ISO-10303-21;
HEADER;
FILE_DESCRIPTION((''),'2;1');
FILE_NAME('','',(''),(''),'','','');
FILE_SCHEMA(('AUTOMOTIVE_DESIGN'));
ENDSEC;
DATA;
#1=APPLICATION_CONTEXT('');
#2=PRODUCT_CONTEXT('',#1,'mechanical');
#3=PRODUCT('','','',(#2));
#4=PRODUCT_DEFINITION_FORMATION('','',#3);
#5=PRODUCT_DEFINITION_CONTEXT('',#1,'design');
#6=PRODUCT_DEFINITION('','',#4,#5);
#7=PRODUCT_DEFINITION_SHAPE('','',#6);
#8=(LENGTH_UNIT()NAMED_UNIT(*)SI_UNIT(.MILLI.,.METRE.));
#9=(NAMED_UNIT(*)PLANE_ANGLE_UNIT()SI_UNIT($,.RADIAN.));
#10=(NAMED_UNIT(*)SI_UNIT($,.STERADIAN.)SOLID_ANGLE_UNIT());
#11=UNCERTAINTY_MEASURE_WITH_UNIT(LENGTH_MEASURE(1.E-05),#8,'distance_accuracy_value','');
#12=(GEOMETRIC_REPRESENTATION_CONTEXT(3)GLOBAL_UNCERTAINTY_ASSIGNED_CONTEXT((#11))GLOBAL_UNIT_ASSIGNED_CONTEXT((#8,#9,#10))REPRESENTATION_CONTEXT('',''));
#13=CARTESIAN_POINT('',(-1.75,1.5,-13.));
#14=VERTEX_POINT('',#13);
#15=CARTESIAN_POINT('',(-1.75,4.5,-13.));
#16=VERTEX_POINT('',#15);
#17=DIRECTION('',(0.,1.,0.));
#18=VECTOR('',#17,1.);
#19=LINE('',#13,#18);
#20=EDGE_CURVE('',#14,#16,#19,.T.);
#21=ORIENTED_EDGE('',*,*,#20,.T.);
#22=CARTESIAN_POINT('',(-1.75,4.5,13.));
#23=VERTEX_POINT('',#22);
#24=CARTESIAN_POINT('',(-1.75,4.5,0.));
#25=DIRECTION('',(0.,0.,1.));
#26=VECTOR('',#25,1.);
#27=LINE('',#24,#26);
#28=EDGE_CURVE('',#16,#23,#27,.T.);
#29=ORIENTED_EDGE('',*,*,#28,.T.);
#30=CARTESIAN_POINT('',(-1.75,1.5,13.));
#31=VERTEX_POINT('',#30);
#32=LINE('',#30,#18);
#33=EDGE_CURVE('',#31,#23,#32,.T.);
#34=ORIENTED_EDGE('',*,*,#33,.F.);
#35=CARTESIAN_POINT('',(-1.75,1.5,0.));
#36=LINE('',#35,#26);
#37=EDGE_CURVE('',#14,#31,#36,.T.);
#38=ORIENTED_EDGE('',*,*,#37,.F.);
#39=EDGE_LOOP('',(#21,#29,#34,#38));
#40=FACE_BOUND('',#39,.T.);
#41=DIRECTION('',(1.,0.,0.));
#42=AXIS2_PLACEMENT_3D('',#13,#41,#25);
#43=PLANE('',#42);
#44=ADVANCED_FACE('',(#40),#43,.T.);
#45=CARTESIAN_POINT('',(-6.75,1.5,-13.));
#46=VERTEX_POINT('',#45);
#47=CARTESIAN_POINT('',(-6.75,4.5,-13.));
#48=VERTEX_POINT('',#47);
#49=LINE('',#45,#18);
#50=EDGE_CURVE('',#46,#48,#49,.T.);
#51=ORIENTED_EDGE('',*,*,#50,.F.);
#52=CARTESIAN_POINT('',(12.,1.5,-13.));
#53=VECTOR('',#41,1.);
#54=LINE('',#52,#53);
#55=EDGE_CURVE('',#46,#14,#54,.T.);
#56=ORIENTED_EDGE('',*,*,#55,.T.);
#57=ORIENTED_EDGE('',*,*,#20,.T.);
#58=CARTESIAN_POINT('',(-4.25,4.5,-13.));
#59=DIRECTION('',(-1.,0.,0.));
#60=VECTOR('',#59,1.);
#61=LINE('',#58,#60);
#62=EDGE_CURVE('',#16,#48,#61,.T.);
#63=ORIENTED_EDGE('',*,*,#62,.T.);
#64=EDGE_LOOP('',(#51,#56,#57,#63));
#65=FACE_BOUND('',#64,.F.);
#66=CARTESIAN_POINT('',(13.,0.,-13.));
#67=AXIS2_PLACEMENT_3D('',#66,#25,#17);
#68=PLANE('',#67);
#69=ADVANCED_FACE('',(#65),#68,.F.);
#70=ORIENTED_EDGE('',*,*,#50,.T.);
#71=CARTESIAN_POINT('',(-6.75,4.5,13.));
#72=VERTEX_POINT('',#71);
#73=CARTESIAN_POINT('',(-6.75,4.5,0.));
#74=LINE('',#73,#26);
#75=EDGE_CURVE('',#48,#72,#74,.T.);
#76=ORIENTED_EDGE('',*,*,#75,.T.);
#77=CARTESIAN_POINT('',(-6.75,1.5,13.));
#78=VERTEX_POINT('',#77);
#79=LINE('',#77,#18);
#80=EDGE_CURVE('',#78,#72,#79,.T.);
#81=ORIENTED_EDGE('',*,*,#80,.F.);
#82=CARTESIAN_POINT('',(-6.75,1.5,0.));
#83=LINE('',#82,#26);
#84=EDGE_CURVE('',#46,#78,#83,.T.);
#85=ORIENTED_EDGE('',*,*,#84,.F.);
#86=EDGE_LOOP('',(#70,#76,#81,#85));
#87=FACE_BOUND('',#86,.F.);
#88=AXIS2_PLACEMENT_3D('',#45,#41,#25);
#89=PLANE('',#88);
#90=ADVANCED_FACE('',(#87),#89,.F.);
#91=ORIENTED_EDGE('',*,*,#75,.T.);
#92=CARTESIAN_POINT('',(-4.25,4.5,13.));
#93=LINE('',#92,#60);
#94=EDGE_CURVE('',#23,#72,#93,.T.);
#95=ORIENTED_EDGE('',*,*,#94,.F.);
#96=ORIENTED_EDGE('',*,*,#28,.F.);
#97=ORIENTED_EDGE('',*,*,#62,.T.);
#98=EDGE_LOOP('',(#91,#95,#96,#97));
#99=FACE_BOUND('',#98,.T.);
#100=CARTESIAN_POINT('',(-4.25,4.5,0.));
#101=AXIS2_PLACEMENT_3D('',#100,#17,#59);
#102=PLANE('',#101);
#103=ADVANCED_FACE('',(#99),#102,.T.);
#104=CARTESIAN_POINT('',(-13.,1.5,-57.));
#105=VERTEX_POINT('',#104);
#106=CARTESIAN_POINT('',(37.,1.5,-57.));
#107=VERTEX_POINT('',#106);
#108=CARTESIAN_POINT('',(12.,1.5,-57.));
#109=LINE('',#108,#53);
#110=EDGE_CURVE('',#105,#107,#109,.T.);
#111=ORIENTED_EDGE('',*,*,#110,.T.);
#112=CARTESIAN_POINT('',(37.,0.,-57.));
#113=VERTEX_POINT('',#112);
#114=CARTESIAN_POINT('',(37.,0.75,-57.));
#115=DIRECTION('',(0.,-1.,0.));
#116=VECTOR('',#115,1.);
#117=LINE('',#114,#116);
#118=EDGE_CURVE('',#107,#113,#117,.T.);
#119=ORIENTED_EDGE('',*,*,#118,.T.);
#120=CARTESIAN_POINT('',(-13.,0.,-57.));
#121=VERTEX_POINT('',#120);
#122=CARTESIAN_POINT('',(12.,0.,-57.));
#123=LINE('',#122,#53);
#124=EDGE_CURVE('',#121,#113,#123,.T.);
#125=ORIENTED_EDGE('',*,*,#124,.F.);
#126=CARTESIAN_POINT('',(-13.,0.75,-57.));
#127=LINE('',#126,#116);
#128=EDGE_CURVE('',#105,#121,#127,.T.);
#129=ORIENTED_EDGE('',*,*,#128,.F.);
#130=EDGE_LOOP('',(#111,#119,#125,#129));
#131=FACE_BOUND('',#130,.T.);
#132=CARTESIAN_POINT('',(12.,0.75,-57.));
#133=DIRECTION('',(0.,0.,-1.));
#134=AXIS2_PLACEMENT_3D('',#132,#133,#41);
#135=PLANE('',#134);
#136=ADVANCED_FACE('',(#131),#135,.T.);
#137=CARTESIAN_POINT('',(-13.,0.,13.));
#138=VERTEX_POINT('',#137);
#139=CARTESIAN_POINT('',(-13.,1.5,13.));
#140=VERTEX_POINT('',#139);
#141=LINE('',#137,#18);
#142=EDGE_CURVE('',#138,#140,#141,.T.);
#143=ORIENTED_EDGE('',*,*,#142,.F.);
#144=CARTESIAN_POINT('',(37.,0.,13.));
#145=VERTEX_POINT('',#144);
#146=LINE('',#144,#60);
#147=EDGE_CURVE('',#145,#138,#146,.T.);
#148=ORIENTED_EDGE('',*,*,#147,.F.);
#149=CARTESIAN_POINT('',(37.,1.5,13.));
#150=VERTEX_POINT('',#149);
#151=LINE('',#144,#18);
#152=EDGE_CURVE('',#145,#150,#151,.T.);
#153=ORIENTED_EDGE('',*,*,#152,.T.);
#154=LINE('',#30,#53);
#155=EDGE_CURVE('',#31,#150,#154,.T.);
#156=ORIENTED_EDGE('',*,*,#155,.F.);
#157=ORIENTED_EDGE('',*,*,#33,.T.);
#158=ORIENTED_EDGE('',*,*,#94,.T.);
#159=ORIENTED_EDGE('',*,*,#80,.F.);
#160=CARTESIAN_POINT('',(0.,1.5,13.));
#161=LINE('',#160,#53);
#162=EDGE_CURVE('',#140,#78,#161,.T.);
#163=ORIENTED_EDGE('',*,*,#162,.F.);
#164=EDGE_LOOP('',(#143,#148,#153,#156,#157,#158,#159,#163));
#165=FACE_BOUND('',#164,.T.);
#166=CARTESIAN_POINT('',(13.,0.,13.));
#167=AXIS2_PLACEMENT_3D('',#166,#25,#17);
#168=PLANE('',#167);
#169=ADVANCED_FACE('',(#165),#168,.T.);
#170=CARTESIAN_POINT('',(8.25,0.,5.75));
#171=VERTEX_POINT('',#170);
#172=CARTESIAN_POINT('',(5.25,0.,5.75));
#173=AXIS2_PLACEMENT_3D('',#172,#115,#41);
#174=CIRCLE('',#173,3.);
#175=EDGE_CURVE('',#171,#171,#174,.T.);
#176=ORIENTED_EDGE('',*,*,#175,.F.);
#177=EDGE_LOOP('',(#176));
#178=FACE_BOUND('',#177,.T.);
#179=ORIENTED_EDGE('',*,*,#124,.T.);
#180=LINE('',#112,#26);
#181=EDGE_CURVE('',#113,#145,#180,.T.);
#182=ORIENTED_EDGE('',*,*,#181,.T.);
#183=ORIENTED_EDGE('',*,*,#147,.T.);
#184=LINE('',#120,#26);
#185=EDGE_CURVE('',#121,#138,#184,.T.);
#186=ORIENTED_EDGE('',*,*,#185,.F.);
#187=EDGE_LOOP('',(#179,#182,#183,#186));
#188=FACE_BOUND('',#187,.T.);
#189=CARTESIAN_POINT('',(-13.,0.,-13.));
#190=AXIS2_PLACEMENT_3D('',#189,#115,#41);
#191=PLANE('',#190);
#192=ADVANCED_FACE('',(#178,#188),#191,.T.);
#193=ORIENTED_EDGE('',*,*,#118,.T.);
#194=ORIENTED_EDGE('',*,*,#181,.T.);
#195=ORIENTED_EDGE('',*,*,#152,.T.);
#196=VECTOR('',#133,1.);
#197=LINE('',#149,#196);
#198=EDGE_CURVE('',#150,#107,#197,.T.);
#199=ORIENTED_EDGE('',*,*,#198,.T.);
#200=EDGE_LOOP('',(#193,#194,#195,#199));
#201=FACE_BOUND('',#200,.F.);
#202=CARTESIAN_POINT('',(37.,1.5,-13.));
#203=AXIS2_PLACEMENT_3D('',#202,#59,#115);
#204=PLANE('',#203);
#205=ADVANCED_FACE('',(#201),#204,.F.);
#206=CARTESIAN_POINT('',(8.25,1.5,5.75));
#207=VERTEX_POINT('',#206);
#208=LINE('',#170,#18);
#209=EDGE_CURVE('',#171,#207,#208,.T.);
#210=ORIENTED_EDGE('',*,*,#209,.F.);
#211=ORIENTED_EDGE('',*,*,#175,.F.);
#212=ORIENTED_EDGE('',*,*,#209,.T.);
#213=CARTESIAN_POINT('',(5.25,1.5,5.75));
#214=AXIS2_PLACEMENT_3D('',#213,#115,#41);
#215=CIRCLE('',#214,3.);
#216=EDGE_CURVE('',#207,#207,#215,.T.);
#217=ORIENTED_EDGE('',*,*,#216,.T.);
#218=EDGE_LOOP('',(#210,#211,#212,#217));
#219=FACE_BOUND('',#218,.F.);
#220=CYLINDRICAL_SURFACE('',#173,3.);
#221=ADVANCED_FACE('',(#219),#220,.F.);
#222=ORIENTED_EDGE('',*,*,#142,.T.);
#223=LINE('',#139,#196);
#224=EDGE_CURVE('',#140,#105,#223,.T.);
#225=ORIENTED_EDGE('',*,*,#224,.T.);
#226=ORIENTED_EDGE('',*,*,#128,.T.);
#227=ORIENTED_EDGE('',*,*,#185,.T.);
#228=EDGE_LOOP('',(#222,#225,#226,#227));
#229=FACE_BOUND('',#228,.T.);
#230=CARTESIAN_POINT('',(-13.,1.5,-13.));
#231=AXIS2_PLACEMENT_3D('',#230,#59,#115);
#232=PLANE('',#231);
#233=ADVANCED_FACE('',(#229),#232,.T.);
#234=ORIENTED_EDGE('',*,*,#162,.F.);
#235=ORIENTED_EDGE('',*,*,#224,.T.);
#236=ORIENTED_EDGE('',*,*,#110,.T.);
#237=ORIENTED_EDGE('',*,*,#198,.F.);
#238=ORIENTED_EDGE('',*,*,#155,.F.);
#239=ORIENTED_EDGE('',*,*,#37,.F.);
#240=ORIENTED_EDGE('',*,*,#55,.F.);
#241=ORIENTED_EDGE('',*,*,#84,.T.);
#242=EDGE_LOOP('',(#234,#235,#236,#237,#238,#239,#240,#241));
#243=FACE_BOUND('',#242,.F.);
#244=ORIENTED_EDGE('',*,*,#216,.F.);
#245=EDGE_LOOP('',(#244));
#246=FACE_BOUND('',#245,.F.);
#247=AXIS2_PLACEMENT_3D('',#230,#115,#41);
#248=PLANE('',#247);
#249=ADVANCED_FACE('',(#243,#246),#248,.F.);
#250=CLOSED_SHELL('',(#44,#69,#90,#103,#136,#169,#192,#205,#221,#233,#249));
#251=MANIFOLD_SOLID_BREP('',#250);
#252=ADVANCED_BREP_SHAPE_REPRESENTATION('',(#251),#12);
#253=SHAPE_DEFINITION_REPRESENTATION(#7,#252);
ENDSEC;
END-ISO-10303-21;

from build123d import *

# Parameters (mm, degrees)
F0_W     = 26
F0_H     = 26
F1_DEPTH = 1.5
F2_W     = 5
F2_H     = 26
F3_DEPTH = 3
F4_R     = 3
F5_DEPTH = 25
F6_DEPTH = 24
F7_W     = 50
F7_H     = 1.5
F8_DEPTH = 44


with BuildPart() as f1:
    # F0 (on Front) → F1 (new body)
    with BuildSketch(Plane.XZ):
        Rectangle(F0_W, F0_H)
    extrude(amount=-F1_DEPTH)

    # F2 (on face) → F3 (join)
    with BuildSketch(Plane(origin=(0, 1.5, 0), x_dir=(-1, 0, 0), z_dir=(0, 1, 0))):
        with Locations((4.25, 0)):
            Rectangle(F2_W, F2_H)
    extrude(amount=F3_DEPTH)

    # F4 (on face) → F5 (cut)
    with BuildSketch(Plane.XZ):
        with Locations((5.25, 5.75)):
            Circle(F4_R)
    extrude(amount=-F5_DEPTH, mode=Mode.SUBTRACT)

    # F6 (add): a face of the model
    f6_faces = [f1.faces().sort_by_distance(p)[0] for p in [
        (13, 0.75, 0),
    ]]
    extrude(f6_faces, amount=F6_DEPTH)

    # F7 (on face) → F8 (join)
    with BuildSketch(Plane(origin=(0, 0, -13), x_dir=(1, 0, 0), z_dir=(0, 0, -1))):
        with Locations((12, -0.75)):
            Rectangle(F7_W, F7_H)
    extrude(amount=F8_DEPTH)


solid = f1.part
